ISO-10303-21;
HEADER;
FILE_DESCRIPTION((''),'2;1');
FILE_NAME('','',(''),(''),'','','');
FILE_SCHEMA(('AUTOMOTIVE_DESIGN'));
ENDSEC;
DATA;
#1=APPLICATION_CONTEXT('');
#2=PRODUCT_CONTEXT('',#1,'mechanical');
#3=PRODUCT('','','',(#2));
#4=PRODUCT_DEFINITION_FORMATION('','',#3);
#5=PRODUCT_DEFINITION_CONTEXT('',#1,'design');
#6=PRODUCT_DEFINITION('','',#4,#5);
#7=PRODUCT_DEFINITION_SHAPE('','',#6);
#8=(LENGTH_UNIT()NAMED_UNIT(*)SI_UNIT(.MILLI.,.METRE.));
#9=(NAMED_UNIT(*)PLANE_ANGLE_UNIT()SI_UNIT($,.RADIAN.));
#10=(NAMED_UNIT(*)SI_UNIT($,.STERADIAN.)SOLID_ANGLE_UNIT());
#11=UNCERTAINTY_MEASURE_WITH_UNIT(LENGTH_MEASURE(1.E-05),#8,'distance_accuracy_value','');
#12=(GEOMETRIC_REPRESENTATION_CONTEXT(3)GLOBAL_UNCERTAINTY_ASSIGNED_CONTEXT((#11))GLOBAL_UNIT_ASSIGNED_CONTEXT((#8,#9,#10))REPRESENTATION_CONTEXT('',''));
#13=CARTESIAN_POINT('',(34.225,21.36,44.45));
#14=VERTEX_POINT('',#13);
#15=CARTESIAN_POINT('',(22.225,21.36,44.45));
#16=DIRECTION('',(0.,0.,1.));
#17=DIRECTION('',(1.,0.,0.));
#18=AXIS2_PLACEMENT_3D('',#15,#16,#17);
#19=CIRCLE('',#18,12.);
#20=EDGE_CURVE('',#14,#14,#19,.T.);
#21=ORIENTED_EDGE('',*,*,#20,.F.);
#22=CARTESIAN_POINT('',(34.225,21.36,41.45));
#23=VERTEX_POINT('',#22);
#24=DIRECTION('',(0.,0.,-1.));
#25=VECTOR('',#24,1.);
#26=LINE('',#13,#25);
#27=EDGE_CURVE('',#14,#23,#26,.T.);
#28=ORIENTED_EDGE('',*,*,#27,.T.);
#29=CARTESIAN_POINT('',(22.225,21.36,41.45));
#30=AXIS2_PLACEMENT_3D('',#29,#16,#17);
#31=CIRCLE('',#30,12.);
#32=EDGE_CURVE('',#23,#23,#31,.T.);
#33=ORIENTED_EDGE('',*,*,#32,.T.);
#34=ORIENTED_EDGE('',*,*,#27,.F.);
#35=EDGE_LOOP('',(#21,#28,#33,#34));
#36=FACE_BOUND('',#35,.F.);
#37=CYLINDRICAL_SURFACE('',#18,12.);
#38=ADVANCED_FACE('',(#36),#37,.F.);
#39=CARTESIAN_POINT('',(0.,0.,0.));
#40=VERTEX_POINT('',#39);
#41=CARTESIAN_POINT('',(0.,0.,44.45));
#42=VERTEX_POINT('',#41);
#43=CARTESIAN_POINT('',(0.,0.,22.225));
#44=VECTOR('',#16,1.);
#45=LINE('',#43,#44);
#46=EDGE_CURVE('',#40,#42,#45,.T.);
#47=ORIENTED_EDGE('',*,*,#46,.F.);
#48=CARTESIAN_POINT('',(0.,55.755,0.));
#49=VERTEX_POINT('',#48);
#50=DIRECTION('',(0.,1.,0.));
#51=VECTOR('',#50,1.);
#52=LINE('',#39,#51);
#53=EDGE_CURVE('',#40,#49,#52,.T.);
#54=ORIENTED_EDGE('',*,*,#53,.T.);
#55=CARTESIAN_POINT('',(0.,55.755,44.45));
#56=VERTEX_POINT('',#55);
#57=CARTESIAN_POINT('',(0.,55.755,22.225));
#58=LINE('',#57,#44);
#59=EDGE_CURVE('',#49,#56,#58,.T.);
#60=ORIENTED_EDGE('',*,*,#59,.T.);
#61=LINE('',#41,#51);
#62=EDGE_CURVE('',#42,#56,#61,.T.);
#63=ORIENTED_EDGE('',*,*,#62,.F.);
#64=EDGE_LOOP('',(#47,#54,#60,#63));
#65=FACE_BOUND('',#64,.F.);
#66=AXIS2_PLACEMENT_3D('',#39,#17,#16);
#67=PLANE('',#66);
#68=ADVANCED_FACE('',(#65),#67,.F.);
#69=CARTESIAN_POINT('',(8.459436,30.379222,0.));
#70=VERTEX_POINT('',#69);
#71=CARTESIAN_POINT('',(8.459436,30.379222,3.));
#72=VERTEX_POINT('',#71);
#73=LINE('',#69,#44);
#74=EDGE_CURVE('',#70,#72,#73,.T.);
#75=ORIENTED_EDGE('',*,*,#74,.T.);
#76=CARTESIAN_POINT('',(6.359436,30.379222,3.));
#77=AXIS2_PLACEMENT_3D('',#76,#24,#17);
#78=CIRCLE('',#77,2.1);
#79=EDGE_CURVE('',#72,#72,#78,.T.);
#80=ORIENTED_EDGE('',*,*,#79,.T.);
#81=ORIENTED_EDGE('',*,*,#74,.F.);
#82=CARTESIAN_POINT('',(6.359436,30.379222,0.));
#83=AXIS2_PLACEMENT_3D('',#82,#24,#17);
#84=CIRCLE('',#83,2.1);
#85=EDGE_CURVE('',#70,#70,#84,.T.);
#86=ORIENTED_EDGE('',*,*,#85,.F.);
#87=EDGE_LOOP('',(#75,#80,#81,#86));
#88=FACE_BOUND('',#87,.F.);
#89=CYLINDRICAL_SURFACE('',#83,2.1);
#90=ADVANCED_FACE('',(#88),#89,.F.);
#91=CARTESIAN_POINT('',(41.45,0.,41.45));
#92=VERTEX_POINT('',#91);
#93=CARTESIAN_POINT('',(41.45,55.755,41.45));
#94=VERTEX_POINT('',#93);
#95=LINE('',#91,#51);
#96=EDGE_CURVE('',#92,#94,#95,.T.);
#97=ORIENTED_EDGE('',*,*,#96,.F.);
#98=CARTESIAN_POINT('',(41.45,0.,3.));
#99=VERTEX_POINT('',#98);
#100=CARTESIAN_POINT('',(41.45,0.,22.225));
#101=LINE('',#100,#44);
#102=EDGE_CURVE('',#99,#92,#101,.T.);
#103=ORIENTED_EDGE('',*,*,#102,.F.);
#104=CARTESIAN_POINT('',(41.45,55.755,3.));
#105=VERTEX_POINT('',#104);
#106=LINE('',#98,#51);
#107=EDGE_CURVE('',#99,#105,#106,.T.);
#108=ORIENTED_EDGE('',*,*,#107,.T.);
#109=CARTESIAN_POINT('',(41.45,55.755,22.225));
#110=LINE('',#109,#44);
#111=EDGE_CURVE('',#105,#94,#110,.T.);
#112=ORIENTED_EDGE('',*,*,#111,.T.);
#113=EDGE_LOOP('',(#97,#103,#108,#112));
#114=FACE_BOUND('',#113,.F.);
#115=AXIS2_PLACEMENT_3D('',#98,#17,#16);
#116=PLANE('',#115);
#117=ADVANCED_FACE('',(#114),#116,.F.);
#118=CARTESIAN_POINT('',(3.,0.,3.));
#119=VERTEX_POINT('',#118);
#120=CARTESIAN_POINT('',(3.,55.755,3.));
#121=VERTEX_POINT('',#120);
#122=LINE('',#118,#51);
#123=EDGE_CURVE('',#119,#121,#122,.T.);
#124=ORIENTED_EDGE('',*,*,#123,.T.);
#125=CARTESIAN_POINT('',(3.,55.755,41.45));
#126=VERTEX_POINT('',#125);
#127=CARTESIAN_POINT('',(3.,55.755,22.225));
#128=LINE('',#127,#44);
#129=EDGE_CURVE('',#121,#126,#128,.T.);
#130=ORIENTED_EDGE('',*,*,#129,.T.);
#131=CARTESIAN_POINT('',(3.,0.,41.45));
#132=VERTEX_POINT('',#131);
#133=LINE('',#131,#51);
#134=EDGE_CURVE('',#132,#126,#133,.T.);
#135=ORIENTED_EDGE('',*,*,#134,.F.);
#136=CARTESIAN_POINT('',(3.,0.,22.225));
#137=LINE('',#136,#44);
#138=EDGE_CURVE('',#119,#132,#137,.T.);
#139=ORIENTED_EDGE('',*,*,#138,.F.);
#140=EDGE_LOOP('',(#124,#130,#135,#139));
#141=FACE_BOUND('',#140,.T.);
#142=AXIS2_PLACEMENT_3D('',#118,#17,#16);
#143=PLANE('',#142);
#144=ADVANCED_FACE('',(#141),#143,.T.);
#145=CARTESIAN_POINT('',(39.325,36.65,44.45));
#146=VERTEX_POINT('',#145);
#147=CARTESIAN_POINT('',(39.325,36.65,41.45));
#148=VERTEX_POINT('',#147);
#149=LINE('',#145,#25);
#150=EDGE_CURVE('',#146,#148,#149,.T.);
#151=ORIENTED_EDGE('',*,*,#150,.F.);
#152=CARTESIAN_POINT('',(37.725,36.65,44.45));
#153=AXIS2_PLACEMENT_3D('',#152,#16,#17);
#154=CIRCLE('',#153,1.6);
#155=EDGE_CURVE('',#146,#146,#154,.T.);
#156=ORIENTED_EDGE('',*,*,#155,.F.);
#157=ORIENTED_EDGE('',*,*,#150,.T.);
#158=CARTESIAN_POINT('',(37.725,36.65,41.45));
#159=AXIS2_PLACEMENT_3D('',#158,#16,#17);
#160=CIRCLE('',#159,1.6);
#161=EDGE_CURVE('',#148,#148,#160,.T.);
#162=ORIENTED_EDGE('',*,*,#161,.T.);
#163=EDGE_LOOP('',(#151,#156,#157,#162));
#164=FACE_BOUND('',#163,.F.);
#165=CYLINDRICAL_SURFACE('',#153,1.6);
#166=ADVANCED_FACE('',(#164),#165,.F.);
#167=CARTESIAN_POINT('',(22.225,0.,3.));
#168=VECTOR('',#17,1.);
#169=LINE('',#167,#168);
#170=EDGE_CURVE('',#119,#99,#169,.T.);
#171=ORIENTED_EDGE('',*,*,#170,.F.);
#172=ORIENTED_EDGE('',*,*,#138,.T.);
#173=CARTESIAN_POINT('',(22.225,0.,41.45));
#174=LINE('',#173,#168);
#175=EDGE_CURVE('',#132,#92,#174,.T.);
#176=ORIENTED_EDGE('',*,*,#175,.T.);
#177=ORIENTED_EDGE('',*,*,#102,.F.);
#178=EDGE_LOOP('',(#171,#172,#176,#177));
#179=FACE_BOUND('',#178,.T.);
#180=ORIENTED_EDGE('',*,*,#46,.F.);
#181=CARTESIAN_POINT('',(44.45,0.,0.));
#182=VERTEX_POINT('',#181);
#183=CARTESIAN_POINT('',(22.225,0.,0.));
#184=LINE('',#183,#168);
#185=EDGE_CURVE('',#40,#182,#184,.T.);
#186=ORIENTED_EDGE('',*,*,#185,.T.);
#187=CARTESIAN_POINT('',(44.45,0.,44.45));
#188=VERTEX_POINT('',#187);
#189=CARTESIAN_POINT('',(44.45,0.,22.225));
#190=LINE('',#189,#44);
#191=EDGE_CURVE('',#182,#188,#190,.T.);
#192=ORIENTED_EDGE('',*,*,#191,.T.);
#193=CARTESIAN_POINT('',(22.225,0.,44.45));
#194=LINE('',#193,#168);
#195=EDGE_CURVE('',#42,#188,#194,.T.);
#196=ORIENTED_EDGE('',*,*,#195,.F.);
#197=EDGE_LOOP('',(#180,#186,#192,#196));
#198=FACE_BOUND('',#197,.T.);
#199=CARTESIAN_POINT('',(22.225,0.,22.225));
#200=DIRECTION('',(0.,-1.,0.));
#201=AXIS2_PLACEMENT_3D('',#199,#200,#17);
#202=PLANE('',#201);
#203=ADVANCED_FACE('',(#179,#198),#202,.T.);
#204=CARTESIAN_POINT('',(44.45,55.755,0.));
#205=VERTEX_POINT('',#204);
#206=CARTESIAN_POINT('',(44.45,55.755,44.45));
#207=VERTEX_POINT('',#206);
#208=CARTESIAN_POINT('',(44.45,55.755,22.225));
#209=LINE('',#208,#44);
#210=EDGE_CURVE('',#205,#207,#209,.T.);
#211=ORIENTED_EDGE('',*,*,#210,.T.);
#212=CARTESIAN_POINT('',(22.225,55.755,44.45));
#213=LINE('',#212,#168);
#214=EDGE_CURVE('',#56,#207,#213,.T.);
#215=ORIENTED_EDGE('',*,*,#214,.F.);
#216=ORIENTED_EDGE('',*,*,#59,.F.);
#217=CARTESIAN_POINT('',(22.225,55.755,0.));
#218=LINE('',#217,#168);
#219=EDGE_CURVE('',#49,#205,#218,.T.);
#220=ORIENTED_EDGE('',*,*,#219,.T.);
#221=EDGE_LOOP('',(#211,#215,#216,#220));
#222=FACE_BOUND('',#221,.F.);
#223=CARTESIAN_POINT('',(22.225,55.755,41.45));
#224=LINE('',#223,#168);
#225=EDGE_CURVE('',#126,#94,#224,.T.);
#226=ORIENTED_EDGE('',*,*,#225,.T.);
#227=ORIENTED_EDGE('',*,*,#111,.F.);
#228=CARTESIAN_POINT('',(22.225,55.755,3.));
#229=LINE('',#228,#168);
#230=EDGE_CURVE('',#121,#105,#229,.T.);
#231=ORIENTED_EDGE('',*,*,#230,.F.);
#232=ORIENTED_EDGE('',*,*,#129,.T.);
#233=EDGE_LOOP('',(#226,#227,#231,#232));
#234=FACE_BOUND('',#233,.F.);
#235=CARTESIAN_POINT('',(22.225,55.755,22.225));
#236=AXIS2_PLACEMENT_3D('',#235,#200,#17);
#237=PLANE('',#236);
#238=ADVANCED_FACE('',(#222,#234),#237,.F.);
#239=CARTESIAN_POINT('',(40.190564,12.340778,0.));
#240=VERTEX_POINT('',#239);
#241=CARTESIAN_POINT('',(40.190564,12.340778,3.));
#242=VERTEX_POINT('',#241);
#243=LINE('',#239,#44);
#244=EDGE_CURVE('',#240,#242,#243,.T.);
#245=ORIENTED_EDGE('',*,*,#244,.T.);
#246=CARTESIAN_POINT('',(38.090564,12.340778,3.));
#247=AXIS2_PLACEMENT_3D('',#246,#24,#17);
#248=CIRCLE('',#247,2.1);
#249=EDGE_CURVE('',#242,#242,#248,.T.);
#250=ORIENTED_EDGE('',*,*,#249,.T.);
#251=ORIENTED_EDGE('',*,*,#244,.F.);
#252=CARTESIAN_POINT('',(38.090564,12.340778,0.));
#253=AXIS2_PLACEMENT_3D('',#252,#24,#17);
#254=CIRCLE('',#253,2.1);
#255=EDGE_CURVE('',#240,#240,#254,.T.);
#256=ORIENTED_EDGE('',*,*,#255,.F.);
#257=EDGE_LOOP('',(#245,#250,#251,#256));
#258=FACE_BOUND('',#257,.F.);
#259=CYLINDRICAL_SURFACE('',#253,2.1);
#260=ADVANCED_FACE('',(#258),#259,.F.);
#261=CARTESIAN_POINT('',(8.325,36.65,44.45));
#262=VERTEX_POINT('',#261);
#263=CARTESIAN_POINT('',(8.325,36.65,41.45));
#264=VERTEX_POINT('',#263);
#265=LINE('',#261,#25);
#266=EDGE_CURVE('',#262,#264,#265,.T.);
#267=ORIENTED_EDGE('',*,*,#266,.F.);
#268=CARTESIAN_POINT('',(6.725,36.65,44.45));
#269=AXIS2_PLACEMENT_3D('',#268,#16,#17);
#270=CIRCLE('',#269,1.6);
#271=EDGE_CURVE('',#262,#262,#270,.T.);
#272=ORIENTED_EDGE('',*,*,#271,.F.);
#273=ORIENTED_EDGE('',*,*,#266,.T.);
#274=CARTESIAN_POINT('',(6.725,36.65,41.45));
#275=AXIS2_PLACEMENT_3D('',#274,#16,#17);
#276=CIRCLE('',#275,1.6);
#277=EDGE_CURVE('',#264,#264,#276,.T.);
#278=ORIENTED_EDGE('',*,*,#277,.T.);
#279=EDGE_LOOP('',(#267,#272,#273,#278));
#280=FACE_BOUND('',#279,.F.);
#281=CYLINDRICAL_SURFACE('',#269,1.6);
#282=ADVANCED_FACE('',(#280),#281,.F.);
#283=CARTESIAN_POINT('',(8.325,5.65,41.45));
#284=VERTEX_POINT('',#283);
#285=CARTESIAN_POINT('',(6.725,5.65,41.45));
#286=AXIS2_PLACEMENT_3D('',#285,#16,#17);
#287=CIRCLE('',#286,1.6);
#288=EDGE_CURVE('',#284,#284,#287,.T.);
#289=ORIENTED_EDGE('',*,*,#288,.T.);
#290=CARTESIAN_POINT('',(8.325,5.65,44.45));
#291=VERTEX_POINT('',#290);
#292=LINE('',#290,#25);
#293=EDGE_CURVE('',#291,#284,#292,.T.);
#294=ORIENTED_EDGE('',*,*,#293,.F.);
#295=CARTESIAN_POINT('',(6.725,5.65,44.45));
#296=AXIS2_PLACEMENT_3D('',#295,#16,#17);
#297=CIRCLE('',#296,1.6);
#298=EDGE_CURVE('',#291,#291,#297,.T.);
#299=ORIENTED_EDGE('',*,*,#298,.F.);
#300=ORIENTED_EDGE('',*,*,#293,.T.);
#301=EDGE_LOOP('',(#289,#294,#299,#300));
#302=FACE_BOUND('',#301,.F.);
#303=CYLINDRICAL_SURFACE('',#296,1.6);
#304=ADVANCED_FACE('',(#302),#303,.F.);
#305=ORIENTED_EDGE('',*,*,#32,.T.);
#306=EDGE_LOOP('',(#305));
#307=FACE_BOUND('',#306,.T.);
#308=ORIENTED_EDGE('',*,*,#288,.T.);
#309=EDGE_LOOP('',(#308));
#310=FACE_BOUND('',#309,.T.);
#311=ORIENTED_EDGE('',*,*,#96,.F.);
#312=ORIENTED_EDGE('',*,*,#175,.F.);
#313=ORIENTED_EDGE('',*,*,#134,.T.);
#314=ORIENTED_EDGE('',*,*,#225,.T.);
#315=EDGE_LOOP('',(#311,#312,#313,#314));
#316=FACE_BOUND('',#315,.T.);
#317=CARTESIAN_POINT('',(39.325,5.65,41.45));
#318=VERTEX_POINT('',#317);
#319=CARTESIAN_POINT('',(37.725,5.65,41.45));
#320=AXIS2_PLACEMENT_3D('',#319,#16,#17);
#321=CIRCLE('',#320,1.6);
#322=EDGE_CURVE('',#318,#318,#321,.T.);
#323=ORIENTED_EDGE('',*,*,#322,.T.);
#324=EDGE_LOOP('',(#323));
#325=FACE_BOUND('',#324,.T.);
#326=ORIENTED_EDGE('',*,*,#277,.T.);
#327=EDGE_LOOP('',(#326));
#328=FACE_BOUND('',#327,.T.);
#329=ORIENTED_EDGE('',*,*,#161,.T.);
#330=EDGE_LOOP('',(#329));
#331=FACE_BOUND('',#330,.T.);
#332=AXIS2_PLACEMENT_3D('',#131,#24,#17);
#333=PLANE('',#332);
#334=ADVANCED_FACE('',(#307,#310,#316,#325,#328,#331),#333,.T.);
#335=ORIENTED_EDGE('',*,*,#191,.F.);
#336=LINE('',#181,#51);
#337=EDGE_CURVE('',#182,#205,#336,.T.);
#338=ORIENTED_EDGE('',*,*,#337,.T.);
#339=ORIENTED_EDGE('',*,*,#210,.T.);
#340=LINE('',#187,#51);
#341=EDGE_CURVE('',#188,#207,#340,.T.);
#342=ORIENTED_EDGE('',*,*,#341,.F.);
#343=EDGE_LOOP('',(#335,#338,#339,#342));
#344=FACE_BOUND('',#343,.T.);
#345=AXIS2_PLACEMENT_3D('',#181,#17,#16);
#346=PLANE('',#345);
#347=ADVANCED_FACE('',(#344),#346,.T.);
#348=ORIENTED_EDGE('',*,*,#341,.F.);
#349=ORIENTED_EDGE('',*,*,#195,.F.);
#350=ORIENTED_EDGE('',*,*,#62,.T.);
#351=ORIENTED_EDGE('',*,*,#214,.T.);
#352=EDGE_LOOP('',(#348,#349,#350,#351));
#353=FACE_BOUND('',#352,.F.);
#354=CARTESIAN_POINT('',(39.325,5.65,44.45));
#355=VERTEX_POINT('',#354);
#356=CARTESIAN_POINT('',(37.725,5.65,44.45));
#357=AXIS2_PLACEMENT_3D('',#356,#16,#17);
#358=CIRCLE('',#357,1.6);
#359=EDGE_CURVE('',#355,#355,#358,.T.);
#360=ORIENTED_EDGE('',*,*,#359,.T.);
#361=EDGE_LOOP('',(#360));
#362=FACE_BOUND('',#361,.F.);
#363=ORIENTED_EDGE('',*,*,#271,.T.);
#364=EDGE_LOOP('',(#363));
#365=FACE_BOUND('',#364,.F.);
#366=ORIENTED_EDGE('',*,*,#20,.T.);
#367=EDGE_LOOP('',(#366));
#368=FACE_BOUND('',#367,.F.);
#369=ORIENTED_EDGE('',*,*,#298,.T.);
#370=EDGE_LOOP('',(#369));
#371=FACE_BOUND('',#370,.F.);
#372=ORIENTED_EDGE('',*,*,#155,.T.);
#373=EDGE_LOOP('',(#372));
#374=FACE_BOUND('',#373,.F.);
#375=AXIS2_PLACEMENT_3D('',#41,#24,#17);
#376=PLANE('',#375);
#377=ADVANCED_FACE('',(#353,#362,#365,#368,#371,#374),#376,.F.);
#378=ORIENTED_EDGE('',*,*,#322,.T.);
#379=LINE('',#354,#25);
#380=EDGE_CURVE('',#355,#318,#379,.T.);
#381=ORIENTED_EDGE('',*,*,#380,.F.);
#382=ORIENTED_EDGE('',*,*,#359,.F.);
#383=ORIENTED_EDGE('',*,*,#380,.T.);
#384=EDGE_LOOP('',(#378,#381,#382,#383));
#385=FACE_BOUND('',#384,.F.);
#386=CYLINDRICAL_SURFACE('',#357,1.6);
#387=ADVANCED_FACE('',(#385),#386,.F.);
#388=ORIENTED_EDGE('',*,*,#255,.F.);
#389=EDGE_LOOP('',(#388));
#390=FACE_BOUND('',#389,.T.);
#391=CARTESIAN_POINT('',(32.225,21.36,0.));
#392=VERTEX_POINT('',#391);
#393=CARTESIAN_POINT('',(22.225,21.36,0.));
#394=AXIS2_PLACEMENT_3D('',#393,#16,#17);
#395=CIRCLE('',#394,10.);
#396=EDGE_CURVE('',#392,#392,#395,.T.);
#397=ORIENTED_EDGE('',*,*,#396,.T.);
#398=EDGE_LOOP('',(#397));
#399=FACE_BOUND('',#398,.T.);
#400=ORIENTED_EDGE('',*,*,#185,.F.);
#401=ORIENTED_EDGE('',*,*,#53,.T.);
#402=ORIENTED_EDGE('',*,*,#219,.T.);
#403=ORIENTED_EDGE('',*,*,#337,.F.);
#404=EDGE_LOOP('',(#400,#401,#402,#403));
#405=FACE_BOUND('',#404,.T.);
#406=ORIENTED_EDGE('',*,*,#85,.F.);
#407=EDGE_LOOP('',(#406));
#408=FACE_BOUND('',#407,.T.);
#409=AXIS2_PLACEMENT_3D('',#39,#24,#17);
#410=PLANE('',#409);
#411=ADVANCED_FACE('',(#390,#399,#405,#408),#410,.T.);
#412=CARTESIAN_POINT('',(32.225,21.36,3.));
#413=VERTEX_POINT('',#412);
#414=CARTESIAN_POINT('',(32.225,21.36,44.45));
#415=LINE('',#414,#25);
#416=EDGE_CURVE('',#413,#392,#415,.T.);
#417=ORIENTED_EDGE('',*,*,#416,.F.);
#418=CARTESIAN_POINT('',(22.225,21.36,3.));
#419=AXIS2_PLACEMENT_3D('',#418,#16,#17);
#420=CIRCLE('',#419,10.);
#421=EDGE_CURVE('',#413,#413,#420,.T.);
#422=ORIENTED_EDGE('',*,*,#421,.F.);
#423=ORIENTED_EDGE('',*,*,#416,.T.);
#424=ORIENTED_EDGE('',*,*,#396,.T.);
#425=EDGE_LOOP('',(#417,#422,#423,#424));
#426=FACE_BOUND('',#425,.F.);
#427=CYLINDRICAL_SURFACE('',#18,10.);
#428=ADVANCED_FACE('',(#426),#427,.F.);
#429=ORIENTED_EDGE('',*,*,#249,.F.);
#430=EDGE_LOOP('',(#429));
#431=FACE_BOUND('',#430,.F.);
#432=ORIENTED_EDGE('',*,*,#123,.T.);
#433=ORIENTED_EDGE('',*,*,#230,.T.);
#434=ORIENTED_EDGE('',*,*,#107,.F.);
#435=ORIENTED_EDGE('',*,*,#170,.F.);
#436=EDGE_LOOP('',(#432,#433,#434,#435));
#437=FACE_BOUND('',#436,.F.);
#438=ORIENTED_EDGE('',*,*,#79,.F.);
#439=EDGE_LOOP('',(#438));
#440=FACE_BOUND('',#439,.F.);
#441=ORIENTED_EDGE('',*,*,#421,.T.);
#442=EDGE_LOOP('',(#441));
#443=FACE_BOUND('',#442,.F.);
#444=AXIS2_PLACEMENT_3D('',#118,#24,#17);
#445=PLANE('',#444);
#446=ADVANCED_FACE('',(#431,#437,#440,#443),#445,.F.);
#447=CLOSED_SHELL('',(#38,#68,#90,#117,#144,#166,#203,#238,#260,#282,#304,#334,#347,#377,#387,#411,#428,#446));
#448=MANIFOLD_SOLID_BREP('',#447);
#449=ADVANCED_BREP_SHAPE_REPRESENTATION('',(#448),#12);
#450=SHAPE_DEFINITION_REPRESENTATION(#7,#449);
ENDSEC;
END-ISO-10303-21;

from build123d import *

# Parameters (mm, degrees)
F0_W     = 44.45
F0_H     = 44.45
F0_W_2   = 38.45
F0_H_2   = 38.45
F1_DEPTH = 55.755
F2_R     = 10
F3_DEPTH = 44.451
F4_R     = 1.6
F4_R_2   = 12
F5_DEPTH = 5
F6_R     = 2.1
F7_DEPTH = 5


with BuildPart() as f1:
    # F0 (on Front) → F1 (new body)
    with BuildSketch(Plane.XZ):
        with Locations((22.225, 22.225)):
            Rectangle(F0_W, F0_H)
        with Locations((22.225, 22.225)):
            Rectangle(F0_W_2, F0_H_2, mode=Mode.SUBTRACT)
    extrude(amount=-F1_DEPTH)

    # F2 (on face) → F3 (cut, through all)
    with BuildSketch(Plane.XY.offset(44.45)):
        with Locations((22.225, 21.36)):
            Circle(F2_R)
    extrude(amount=-F3_DEPTH, mode=Mode.SUBTRACT)

    # F4 (on face) → F5 (cut)
    with BuildSketch(Plane.XY.offset(44.45)):
        with Locations((37.725, 5.65)):
            Circle(F4_R)
        with Locations((6.725, 5.65)):
            Circle(F4_R)
        with Locations((37.725, 36.65)):
            Circle(F4_R)
        with Locations((6.725, 36.65)):
            Circle(F4_R)
        with Locations((22.225, 21.36)):
            Circle(F4_R_2)
    extrude(amount=-F5_DEPTH, mode=Mode.SUBTRACT)

    # F6 (on face) → F7 (cut)
    with BuildSketch(Plane(origin=(0, 0, 0), x_dir=(1, 0, 0), z_dir=(0, 0, -1))):
        with Locations((38.090564, -12.340778)):
            Circle(F6_R)
        with Locations((6.359436, -30.379222)):
            Circle(F6_R)
    extrude(amount=-F7_DEPTH, mode=Mode.SUBTRACT)


solid = f1.part
